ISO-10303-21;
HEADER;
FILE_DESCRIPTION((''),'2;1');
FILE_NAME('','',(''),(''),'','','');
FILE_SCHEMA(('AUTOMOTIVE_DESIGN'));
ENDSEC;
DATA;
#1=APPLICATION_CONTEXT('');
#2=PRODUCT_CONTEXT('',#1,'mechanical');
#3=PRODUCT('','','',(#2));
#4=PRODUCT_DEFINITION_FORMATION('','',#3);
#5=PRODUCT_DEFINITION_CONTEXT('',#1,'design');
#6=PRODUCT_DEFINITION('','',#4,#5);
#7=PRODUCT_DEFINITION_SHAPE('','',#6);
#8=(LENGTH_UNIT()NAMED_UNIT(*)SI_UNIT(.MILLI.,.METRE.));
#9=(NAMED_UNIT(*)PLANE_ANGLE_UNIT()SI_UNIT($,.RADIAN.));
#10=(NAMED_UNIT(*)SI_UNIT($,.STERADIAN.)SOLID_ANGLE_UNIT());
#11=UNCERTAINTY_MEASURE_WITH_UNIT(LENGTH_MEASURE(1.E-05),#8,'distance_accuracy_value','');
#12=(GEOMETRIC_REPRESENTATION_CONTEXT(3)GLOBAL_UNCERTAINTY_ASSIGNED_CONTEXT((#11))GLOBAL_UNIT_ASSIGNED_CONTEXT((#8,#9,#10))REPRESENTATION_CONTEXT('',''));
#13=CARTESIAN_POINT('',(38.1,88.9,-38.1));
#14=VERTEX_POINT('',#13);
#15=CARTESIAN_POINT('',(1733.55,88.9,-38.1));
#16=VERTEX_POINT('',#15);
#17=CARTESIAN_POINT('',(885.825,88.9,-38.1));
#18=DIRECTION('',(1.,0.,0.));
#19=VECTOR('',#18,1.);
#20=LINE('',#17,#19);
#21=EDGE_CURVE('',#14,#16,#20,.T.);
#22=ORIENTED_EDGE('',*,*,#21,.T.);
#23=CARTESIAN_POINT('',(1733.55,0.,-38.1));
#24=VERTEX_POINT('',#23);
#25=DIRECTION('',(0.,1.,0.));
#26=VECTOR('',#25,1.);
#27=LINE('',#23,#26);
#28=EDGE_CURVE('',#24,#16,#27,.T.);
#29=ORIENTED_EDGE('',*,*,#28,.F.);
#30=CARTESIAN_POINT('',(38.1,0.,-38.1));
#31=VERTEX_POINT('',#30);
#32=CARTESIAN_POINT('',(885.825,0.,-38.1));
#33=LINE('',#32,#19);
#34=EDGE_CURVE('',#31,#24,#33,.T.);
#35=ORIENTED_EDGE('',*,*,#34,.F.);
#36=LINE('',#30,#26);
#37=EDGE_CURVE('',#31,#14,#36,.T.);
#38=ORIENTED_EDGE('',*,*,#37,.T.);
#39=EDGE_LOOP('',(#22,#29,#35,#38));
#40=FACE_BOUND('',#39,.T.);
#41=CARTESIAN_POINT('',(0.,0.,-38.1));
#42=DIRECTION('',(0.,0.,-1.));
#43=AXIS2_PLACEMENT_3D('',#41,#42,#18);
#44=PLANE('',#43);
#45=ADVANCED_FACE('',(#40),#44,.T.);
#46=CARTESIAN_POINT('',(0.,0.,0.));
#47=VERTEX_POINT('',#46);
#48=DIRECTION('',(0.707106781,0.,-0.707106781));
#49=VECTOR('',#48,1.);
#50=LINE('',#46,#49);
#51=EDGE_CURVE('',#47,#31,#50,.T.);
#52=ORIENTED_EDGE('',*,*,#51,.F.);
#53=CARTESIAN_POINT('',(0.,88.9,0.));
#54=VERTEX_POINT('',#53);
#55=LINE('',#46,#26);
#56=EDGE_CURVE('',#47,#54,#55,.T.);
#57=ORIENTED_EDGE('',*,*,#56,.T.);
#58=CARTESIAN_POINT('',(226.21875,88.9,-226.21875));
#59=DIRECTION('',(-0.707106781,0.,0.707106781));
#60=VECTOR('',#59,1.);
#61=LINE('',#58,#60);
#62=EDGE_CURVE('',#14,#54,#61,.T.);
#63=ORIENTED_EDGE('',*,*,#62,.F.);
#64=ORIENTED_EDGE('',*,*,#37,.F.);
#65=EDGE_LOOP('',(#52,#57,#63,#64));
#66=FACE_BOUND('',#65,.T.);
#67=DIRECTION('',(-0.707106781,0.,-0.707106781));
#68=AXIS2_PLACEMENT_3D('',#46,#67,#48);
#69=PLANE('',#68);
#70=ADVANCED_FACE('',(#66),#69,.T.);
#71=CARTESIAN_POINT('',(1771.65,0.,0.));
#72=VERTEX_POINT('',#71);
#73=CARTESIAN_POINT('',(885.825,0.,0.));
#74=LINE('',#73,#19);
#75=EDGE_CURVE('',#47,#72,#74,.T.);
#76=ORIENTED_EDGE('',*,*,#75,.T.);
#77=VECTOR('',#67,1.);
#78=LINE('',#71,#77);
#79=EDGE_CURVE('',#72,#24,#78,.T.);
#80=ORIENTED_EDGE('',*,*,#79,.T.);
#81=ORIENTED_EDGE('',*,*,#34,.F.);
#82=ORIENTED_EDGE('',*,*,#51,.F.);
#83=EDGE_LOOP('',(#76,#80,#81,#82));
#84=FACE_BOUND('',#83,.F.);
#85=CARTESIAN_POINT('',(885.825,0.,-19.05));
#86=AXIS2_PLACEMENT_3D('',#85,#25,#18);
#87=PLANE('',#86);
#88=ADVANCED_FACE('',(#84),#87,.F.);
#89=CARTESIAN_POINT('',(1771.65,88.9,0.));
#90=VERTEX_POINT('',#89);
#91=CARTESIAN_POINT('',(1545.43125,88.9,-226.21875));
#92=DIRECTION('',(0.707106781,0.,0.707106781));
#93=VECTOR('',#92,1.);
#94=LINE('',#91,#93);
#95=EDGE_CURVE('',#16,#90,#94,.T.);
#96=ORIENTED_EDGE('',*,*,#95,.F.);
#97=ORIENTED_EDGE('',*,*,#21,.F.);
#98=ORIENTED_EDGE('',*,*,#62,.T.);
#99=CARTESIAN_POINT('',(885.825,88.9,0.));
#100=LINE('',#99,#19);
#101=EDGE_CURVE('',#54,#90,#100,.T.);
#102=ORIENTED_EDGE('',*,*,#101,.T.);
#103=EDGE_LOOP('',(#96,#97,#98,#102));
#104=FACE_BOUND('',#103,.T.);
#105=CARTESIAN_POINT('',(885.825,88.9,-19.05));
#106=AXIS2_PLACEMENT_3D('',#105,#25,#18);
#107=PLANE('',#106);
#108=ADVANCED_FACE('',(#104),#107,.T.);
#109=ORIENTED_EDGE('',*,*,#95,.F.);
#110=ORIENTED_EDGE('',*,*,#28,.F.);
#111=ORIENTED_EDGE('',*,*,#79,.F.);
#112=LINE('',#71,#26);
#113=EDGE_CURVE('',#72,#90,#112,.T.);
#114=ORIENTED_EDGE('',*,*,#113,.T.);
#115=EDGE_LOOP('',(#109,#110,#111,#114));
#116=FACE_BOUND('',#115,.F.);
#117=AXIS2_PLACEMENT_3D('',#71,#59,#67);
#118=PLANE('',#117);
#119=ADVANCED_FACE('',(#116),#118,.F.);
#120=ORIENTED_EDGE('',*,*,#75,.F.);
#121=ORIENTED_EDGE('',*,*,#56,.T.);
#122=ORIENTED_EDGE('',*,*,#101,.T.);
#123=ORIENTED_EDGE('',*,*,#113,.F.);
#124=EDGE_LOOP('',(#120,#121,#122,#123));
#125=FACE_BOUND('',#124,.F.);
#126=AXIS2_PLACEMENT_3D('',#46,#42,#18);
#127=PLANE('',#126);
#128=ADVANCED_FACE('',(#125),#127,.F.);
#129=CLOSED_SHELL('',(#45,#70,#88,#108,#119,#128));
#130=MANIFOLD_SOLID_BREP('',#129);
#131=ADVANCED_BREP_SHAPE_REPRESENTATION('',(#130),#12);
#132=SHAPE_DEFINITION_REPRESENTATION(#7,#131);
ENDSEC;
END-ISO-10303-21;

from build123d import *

# Parameters (mm, degrees)
SKETCH1_W           = 1771.65
SKETCH1_H           = 38.1
BOSS_EXTRUDE1_DEPTH = 88.9
CUT_EXTRUDE1_DEPTH  = 89.9


with BuildPart() as part:
    # Sketch1 → Boss-Extrude1 (new body)
    with BuildSketch(Plane(origin=(0, 0, 0), x_dir=(1, 0, 0), z_dir=(0, 1, 0))):
        with Locations((885.825, 19.05)):
            Rectangle(SKETCH1_W, SKETCH1_H)
    extrude(amount=BOSS_EXTRUDE1_DEPTH)

    # Sketch2 → Cut-Extrude1 (cut, through all)
    with BuildSketch(Plane(origin=(0, 0, 0), x_dir=(1, 0, 0), z_dir=(0, 1, 0))):
        Polygon((0, 0), (38.1, 38.1), (0, 38.1), align=None)
        Polygon((1771.65, 0), (1733.55, 38.1), (1771.65, 38.1), align=None)
    extrude(amount=CUT_EXTRUDE1_DEPTH, mode=Mode.SUBTRACT)


solid = part.part
